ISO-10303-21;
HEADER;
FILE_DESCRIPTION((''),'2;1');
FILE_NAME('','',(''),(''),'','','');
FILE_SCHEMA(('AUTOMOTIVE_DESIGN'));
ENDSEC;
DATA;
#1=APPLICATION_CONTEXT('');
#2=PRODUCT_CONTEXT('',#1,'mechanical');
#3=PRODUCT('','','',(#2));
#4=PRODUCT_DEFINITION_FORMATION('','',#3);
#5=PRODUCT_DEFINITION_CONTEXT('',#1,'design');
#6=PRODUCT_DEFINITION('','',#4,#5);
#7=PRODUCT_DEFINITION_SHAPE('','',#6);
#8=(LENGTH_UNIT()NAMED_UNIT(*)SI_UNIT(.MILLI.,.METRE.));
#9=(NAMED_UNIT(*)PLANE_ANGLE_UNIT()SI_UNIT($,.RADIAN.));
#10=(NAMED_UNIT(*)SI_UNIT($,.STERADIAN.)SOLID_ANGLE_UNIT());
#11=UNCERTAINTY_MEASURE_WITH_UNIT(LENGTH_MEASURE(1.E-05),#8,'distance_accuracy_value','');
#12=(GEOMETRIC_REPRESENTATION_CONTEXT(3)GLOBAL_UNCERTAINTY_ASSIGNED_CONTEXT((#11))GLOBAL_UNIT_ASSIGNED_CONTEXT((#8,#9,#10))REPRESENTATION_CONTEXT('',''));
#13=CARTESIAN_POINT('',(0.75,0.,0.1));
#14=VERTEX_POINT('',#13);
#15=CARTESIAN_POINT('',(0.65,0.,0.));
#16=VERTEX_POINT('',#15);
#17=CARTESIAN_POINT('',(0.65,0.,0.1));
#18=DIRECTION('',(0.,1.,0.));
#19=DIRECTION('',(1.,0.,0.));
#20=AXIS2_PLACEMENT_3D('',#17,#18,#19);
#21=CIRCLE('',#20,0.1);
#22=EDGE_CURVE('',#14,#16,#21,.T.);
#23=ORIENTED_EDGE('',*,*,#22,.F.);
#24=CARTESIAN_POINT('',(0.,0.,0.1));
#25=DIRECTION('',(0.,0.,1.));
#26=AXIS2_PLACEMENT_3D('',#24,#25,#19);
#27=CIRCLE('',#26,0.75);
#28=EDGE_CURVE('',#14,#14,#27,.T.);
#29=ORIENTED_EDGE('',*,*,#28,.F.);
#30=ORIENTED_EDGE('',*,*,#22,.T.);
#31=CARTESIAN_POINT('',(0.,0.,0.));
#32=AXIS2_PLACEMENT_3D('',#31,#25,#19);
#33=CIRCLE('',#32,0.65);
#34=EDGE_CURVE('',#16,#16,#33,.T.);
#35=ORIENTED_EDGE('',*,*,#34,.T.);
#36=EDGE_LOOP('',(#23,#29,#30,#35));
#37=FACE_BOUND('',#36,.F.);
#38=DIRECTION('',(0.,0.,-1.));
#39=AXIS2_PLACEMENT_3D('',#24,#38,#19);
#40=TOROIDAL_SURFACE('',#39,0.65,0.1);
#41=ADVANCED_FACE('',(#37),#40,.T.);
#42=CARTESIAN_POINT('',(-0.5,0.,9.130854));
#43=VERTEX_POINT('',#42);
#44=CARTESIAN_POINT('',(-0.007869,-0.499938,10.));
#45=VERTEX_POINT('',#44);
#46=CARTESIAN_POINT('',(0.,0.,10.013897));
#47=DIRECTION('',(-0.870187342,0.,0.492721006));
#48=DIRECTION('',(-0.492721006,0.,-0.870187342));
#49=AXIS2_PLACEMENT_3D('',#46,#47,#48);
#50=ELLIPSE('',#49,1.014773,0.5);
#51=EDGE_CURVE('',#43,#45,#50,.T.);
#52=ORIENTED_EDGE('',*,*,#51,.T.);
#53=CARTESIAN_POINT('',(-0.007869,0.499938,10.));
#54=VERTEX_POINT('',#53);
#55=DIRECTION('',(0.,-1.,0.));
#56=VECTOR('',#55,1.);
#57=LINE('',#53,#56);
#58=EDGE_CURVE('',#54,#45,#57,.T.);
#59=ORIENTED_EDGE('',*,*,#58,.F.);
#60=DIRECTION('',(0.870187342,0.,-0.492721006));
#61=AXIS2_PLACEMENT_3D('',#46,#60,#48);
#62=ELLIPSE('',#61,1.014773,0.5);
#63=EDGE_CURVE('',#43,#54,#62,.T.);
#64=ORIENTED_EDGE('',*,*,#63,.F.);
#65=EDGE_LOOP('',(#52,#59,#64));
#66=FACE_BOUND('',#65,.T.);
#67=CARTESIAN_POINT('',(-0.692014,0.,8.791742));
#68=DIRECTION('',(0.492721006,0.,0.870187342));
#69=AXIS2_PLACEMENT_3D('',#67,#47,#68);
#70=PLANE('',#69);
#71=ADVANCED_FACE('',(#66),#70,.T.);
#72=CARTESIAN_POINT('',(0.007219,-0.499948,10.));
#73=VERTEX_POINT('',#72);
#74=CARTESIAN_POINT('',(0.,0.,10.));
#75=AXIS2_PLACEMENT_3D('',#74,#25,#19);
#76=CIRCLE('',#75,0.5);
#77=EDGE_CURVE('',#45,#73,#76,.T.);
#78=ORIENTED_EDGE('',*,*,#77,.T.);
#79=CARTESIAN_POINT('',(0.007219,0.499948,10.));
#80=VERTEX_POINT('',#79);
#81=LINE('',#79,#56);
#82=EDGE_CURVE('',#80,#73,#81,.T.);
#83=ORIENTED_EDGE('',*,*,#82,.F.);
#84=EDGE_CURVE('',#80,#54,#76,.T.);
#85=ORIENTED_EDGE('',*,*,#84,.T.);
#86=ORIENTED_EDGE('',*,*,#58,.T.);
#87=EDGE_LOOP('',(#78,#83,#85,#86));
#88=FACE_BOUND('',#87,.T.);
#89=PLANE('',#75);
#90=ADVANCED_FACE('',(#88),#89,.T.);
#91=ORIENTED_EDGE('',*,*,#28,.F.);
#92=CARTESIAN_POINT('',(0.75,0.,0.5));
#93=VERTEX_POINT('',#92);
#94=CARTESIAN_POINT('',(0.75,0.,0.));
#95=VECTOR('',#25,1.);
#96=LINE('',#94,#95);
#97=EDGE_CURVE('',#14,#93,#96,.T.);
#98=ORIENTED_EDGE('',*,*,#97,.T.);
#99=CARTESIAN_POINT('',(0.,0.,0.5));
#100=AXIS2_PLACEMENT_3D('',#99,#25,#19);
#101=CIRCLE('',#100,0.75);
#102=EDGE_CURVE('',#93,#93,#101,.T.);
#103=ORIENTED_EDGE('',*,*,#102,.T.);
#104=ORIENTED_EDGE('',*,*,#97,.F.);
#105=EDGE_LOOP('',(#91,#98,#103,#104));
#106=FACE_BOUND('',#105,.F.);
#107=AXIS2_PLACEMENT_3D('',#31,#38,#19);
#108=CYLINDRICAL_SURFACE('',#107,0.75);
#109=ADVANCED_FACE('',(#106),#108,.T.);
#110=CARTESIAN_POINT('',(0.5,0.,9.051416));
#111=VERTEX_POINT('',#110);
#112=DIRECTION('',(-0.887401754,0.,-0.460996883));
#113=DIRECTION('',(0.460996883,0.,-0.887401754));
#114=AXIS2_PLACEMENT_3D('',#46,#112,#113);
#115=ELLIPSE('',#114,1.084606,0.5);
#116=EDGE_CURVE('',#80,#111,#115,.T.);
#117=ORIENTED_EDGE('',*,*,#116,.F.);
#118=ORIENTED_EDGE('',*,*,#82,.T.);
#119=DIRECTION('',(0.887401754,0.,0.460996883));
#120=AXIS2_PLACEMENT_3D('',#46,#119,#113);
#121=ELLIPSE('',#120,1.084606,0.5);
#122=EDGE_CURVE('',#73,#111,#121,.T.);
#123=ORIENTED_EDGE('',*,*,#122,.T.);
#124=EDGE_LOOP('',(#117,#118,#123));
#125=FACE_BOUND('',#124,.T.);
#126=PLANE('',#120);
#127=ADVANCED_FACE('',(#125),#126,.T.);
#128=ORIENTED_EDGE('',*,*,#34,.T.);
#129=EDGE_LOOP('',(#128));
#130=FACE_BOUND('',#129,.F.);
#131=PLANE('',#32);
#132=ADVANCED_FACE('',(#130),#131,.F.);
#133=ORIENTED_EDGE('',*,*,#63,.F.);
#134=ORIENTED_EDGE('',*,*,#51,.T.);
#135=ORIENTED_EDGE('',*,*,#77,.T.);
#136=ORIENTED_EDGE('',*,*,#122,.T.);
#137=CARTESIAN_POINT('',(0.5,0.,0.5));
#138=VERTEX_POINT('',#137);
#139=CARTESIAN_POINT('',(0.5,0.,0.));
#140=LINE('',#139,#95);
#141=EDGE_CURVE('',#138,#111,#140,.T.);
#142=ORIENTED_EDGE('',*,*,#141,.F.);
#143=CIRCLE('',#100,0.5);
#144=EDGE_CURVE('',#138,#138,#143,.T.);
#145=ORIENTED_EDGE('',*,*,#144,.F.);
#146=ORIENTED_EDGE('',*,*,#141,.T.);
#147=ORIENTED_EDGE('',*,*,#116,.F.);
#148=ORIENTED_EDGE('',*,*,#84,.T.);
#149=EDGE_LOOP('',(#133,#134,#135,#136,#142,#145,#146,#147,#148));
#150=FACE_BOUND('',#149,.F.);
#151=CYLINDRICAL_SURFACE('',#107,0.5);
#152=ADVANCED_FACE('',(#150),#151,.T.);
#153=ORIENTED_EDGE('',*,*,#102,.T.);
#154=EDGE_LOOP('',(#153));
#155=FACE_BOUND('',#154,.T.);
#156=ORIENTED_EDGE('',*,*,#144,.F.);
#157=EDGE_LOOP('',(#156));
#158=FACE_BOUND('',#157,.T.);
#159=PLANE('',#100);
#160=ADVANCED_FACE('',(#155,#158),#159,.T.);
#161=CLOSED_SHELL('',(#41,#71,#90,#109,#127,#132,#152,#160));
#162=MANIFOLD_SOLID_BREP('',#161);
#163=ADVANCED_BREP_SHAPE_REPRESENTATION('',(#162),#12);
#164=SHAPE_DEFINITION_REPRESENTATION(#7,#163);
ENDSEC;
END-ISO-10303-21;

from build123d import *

# Parameters (mm, degrees)
F0_R          = 0.5
F1_DEPTH      = 10
F0_R_2        = 0.75
F2_DEPTH      = 0.5
F3_R          = 0.1
F5_DEPTH      = 25
F5_DEPTH_BACK = 25


with BuildPart() as f1:
    # F0 (on Top) → F1 (new body)
    with BuildSketch(Plane.XY):
        Circle(F0_R)
    extrude(amount=F1_DEPTH)

    # F0 (on Top) → F2 (join)
    with BuildSketch(Plane.XY):
        Circle(F0_R_2)
        Circle(F0_R, mode=Mode.SUBTRACT)
    extrude(amount=F2_DEPTH)

    # F3
    f3_edges = [f1.edges().sort_by_distance(p)[0] for p in [
        (-0.75, 0, 0),
    ]]
    fillet(f3_edges, radius=F3_R)

    # F4 (on Front) → F5 (cut, two sides)
    with BuildSketch(Plane.XZ) as f5_sk:
        Polygon((-0.6920135929, 8.791741915), (0, 10.0138969719), (0.6348980824, 8.791741915), (0.6348980824, 10.8100445941), (-0.7408999372, 10.8100445941), (-0.7408999372, 8.791741915), align=None)
    extrude(amount=-F5_DEPTH, mode=Mode.SUBTRACT)
    extrude(f5_sk.sketch, amount=F5_DEPTH_BACK, mode=Mode.SUBTRACT)


solid = f1.part
